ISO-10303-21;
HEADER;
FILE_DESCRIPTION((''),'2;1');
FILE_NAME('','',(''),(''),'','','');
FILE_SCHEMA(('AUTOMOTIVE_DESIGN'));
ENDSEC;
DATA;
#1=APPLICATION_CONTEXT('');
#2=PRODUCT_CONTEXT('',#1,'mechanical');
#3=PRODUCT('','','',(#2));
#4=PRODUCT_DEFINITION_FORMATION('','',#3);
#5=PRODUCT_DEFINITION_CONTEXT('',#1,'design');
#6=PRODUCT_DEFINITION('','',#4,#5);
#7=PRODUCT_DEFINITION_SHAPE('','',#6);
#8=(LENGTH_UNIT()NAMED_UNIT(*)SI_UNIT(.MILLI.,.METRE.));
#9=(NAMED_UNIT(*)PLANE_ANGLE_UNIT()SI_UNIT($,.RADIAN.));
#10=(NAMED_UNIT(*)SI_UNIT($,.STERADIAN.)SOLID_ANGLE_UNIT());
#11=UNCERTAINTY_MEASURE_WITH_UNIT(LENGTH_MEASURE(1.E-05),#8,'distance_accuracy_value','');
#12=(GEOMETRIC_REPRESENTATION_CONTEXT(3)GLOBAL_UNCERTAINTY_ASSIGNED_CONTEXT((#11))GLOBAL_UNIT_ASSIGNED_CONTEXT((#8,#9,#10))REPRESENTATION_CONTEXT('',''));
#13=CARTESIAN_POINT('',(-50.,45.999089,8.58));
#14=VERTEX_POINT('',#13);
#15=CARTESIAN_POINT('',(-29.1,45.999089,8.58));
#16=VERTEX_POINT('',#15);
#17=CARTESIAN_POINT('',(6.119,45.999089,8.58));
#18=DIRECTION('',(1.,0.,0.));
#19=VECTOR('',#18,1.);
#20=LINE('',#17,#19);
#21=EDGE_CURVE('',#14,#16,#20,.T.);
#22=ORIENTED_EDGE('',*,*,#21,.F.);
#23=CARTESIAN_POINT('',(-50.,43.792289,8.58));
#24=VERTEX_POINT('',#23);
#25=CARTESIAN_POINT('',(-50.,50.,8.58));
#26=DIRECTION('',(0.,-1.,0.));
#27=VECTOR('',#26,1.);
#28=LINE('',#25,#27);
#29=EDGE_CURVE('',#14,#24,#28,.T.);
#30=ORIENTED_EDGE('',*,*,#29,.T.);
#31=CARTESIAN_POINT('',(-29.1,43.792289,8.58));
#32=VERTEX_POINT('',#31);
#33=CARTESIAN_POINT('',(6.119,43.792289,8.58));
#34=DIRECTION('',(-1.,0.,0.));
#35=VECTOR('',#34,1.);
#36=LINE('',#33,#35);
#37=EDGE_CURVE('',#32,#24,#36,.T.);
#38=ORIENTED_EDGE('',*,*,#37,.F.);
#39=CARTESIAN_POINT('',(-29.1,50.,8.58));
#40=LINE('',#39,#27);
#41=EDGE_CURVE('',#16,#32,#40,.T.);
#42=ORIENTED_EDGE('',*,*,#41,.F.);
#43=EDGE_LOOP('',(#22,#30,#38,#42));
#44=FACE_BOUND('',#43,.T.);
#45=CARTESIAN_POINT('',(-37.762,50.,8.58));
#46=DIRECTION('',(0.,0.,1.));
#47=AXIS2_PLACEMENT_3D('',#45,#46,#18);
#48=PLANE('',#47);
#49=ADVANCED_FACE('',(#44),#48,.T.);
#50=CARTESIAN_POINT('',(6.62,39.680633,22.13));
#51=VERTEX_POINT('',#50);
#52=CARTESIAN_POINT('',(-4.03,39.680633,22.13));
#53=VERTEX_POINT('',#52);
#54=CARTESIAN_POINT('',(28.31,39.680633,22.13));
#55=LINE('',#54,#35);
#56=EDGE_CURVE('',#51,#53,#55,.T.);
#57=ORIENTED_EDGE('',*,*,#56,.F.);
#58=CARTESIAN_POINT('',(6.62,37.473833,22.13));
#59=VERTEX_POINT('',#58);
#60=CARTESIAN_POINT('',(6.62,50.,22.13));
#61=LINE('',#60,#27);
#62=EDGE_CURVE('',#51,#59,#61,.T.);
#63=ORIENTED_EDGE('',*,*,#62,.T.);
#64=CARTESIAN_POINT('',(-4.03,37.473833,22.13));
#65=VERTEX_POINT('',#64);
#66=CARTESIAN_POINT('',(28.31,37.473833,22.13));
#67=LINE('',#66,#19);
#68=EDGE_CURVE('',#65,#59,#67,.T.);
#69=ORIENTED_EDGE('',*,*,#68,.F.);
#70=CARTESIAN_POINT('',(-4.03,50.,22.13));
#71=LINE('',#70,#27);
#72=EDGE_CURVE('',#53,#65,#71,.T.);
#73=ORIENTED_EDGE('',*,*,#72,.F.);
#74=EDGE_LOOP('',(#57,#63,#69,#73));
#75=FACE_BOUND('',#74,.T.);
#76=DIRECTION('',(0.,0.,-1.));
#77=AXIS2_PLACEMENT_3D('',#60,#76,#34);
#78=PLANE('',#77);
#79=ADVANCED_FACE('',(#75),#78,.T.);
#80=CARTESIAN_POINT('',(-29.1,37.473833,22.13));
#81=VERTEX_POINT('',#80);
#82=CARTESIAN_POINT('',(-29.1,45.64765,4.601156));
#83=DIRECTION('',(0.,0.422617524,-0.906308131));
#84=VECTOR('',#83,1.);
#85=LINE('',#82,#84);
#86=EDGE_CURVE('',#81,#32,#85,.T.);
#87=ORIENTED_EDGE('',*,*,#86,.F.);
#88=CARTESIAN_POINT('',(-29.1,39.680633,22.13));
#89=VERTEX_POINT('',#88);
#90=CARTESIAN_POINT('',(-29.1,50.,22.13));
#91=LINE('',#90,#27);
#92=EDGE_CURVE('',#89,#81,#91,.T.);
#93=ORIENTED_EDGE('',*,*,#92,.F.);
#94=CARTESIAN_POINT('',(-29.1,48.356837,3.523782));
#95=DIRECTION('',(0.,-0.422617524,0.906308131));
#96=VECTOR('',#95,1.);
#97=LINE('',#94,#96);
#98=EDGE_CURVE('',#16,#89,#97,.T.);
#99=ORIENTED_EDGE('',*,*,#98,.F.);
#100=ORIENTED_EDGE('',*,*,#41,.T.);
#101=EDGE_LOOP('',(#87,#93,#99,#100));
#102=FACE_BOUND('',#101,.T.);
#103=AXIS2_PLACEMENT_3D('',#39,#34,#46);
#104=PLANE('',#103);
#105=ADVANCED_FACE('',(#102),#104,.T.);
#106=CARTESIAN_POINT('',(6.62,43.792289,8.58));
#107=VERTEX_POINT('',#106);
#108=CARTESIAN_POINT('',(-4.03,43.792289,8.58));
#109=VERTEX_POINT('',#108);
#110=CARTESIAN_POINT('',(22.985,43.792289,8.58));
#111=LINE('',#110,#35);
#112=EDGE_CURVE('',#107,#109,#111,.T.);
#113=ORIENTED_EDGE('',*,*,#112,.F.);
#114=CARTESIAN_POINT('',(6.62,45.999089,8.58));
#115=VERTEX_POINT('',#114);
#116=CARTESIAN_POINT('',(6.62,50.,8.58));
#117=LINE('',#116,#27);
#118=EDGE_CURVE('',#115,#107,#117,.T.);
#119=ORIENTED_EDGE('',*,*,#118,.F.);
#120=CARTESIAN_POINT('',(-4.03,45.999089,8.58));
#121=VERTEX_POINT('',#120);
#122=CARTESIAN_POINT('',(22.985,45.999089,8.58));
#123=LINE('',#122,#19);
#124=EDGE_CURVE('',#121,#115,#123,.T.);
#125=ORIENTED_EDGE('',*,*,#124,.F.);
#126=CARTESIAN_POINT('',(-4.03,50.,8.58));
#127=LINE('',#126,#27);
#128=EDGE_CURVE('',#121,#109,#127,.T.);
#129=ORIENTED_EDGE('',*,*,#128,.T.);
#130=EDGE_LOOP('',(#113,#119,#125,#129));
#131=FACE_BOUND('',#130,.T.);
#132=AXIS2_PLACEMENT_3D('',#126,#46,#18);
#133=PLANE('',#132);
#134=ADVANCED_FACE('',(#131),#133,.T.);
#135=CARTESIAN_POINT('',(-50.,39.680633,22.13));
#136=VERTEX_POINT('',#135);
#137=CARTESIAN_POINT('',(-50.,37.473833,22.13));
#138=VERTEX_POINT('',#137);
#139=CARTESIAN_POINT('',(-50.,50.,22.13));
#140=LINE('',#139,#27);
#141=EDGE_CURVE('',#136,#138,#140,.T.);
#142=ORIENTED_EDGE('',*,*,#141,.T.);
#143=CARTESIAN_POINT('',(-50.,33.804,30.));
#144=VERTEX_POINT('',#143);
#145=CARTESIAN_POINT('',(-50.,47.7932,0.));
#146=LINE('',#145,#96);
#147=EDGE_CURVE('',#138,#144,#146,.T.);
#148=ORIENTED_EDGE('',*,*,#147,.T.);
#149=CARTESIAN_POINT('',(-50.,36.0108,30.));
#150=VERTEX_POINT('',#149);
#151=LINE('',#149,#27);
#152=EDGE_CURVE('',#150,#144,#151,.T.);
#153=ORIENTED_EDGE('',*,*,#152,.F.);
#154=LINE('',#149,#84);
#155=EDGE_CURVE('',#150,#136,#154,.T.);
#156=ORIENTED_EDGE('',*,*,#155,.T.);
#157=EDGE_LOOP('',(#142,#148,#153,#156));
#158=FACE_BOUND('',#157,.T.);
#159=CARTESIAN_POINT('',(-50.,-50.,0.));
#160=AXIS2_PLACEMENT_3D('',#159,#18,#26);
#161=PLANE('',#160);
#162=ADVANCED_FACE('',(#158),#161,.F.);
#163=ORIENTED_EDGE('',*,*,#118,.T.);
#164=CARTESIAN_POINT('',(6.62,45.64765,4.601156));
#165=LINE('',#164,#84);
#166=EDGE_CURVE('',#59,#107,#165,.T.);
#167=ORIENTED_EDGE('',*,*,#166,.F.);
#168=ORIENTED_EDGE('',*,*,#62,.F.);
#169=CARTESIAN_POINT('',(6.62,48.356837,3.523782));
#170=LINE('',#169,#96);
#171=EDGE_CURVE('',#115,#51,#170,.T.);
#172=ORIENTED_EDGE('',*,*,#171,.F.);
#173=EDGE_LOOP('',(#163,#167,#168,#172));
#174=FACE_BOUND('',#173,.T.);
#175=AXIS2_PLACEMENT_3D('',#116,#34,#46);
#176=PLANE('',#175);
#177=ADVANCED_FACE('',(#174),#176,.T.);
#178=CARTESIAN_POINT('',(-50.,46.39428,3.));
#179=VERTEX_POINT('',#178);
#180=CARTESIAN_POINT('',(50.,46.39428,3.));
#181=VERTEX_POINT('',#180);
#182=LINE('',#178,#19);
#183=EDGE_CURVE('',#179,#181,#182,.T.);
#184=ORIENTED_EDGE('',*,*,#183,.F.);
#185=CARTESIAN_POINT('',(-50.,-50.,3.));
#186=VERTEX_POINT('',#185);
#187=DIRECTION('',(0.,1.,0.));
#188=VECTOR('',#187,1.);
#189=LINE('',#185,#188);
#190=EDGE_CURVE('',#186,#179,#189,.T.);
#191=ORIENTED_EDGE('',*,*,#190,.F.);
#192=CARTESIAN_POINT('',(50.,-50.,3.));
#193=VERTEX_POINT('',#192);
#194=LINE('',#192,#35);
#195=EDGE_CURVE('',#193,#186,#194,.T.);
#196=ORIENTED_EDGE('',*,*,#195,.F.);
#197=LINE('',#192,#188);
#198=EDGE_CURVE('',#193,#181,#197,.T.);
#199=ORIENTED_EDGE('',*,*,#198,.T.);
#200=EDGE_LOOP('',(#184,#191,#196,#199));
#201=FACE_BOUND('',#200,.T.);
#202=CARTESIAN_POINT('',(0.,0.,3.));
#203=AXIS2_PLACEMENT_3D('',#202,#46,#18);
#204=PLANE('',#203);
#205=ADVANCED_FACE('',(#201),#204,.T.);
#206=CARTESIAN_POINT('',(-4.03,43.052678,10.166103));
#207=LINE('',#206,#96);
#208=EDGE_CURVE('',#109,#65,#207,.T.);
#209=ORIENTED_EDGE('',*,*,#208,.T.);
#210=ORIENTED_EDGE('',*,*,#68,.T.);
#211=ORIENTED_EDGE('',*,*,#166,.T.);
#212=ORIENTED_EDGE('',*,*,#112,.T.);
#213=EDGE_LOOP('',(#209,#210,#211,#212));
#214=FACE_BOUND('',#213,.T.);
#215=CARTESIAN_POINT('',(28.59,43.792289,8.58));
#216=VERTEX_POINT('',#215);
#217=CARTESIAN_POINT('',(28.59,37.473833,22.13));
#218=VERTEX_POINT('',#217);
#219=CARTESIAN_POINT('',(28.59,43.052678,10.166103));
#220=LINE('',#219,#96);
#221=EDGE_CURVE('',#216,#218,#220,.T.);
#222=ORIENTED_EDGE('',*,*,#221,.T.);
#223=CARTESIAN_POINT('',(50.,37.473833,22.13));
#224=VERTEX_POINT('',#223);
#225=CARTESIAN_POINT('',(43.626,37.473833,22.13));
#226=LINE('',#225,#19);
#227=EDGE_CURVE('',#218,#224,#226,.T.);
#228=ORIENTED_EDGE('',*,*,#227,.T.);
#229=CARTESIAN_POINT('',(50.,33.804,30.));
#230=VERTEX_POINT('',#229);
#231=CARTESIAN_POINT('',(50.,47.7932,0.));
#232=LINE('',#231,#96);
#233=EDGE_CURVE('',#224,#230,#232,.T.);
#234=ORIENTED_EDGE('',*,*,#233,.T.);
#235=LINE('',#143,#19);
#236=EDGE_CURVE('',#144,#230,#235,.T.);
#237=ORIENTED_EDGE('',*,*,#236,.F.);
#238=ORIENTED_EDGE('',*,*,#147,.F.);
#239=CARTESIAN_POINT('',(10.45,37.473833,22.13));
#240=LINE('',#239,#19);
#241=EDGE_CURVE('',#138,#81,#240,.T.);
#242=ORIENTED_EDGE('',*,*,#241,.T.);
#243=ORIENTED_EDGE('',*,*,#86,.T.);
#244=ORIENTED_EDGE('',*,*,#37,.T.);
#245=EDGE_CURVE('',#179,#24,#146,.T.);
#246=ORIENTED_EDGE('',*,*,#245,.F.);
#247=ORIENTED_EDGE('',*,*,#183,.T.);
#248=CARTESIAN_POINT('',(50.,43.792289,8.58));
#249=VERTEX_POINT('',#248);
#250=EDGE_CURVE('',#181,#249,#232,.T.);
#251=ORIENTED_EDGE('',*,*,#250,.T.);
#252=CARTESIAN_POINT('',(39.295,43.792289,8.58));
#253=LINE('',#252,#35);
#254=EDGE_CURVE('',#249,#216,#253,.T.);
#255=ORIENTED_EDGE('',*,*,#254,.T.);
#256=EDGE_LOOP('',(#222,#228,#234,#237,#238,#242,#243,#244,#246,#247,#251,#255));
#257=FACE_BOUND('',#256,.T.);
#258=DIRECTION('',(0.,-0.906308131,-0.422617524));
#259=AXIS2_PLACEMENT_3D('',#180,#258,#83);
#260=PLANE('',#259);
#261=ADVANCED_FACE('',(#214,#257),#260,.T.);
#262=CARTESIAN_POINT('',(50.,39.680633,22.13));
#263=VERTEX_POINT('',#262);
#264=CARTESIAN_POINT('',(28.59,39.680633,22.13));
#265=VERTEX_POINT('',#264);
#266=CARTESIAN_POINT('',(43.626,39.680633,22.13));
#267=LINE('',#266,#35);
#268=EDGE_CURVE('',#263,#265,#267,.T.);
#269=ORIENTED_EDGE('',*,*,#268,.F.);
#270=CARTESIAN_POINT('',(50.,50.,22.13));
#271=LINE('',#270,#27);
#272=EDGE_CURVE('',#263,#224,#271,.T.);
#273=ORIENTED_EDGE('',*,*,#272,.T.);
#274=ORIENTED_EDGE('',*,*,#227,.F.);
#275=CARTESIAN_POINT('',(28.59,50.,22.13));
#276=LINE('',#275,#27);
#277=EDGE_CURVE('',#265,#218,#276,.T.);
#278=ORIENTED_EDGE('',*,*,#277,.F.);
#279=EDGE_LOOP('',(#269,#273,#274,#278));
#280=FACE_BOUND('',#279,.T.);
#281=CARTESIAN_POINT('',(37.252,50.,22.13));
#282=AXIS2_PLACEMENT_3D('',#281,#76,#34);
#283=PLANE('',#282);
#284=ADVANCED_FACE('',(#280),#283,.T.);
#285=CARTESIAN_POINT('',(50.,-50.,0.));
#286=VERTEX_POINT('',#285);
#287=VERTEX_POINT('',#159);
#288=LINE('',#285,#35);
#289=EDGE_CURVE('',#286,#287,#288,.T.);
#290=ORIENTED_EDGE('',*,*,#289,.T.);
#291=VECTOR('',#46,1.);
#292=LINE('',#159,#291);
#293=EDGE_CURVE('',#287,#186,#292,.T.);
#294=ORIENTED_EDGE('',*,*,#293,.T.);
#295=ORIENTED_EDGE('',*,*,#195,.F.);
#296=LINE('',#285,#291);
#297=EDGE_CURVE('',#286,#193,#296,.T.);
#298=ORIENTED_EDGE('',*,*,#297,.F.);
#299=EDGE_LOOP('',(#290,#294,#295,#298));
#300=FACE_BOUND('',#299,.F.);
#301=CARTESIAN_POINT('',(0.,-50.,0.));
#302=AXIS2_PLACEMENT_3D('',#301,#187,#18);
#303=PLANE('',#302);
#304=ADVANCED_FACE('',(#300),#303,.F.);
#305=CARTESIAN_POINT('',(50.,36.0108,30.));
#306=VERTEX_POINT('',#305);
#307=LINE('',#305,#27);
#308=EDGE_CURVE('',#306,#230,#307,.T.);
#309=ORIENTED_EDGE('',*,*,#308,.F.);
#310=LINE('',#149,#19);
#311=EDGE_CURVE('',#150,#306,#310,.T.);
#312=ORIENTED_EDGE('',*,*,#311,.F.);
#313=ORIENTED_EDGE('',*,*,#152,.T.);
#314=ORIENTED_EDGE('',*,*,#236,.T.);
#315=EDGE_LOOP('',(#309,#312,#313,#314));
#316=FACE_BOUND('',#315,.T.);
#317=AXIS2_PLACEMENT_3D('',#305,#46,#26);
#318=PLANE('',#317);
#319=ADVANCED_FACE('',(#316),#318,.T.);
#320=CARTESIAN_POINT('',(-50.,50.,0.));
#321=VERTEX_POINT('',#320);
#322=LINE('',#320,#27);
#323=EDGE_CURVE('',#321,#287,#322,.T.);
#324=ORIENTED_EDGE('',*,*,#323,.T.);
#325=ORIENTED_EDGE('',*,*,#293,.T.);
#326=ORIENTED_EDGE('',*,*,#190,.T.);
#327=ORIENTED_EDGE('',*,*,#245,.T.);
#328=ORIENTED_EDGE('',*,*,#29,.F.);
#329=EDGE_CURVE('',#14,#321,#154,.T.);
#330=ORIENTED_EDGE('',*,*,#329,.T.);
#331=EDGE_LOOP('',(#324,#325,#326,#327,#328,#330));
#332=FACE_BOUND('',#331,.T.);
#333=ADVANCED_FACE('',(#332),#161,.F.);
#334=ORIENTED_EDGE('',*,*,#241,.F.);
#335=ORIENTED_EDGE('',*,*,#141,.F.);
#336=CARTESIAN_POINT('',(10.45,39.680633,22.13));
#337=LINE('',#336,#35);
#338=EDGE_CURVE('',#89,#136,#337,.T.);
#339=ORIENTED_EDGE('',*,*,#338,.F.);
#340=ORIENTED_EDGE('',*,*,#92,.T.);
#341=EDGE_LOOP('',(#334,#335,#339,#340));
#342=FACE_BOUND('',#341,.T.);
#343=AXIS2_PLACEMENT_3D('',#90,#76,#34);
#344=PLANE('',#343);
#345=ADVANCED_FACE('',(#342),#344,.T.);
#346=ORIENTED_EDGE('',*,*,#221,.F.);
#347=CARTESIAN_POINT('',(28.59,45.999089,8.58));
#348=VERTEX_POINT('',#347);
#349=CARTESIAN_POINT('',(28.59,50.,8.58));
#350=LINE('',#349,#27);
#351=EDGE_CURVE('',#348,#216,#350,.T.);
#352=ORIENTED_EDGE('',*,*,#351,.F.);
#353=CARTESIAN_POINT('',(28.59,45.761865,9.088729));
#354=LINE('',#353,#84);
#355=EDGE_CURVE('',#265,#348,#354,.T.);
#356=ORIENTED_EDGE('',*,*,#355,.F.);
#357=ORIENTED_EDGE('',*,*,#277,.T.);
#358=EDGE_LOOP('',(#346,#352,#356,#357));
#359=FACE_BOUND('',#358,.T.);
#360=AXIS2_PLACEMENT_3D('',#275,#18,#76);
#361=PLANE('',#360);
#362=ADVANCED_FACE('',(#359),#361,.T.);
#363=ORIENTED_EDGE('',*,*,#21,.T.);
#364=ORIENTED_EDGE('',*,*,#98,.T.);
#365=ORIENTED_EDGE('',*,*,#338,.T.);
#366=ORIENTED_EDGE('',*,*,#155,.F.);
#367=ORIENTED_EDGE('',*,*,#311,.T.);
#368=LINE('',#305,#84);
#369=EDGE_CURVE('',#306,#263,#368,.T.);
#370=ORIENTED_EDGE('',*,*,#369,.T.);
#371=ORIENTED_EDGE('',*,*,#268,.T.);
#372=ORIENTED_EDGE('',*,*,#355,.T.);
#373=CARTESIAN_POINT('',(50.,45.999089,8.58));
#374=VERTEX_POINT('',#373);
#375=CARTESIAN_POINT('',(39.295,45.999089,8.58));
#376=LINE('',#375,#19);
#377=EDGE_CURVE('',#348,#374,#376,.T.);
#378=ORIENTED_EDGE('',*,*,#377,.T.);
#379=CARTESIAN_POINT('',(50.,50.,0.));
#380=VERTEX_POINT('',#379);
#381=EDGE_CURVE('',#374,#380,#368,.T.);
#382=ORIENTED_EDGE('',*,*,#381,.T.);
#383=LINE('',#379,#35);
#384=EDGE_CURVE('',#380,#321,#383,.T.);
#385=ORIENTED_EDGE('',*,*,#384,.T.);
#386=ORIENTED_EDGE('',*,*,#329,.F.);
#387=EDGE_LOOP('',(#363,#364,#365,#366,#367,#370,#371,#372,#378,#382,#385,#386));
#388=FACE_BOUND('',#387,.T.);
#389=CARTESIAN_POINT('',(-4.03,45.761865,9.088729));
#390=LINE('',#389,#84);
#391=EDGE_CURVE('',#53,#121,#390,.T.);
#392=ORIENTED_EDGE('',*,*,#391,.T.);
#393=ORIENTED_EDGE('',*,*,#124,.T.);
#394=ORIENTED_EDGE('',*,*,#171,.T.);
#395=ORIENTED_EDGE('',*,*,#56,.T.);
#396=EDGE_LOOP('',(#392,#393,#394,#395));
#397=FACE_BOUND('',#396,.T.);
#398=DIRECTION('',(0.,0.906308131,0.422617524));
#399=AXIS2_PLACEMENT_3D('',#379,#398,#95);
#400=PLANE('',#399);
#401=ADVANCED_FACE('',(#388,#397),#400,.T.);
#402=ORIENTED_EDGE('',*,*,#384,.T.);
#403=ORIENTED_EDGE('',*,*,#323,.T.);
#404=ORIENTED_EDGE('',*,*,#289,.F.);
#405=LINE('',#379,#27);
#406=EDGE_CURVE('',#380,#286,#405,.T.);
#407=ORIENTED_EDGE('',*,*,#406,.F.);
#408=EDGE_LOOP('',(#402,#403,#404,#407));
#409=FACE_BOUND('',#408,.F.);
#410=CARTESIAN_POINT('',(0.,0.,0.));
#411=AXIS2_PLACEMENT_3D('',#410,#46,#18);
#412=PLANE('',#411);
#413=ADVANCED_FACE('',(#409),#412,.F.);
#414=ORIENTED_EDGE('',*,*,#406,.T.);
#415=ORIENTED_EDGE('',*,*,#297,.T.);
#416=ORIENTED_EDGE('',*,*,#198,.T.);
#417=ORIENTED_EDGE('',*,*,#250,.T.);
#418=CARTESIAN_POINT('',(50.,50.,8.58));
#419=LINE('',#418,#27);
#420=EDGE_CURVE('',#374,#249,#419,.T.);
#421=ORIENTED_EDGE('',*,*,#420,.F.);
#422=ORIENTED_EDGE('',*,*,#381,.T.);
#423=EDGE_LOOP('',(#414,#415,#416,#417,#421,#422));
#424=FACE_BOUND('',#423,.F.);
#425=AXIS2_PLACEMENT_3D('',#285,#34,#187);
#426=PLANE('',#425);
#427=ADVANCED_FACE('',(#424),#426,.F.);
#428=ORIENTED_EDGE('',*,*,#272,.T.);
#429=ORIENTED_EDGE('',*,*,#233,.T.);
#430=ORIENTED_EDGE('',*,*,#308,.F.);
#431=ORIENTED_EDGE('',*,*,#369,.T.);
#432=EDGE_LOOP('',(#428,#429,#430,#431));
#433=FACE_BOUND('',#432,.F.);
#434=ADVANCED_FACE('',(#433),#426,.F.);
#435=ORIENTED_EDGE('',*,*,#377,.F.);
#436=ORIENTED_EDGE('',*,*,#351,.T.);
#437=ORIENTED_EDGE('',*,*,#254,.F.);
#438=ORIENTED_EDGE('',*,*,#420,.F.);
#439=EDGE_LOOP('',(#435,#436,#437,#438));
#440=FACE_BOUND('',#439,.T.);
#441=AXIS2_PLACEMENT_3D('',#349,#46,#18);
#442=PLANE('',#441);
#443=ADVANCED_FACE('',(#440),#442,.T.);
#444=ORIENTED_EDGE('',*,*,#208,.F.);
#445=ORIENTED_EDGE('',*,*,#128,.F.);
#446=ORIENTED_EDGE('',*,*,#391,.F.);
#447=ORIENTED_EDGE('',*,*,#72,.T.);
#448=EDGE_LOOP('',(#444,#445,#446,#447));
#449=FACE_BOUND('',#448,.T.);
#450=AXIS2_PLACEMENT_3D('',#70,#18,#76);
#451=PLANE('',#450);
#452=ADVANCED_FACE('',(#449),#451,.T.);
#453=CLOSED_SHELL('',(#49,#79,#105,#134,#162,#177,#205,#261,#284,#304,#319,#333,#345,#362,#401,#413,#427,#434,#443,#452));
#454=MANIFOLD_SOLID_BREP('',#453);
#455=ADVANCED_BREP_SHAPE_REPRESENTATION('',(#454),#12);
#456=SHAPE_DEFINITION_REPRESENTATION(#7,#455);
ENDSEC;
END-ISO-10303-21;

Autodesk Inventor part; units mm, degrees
ref_plane "YZ Plane" through (0, 0, 0) normal (1, 0, 0) x (0, 1, 0)
ref_plane "XZ Plane" through (0, 0, 0) normal (0, 1, 0) x (-1, 0, 0)
ref_plane "XY Plane" through (0, 0, 0) normal (0, 0, 1) x (1, 0, 0)
sketch "Náčrt1" plane through (0, 0, 0) normal (0, 0, 1) x (1, 0, 0)
  line L0 (0, -50) -> (50, -50)
  line L1 (50, -50) -> (50, 50)
  line L2 (50, 50) -> (0, 50)
  line L3 (0, 50) -> (0, -50)
  point P0 (0, 0)
  point P1 (50, 0)
  point P2 (0, 0)
  dimension "d0" = 50
  dimension "d1" = 100
extrude "Vysunutí1" add sketch "Náčrt1" along normal blind 3
sketch "Náčrt2" plane through (50, -50, 0) normal (1, 0, 0) x (0, 0, -1)
  line L0 (0, 0) -> (0, 100) projected
  line L1 (0, 100) -> (-30, 86.0108)
  line L2 (-30, 86.0108) -> (-30, 83.804)
  line L3 (-30, 83.804) -> (0, 97.7932)
  line L4 (-3, 0) -> (-3, 100) projected
  line L5 (0, 100) -> (-3, 100) projected
  point P0 (0, 50)
  point P1 (-3, 98.6011)
  dimension "d4" = 65
  dimension "d6" = 2
  dimension "d7" = 30
extrude "Vysunutí2" add sketch "Náčrt2" against normal up to surface (50 mm away) contours L3 L4 L1 L0 | L3 L2 L1 L4
extrude "Vysunutí3" cut sketch "Náčrt2" against normal through all contours L1 L4 L5
ref_plane "Pracovní rovina1" through (50, 50, 0) normal (0, -1, 0) x (1, 0, 0)
mirror "Zrcadlit1" about plane through (0, 0, 0) normal (1, 0, 0)
sketch "Náčrt3" plane through (50, 50, 0) normal (0, -1, 0) x (1, 0, 0)
  line L0 (-12.748, 22.13) -> (-21.41, 22.13)
  line L1 (-21.41, 22.13) -> (-21.41, 8.58)
  line L2 (-21.41, 8.58) -> (-12.748, 8.58)
  line L3 (-12.748, 8.58) -> (-12.748, 22.13)
  line L4 (-54.03, 8.58) -> (-43.38, 8.58)
  line L5 (-43.38, 8.58) -> (-43.38, 22.13)
  line L6 (-43.38, 22.13) -> (-54.03, 22.13)
  line L7 (-54.03, 22.13) -> (-54.03, 8.58)
  line L8 (0, 0) -> (0, 30) projected
  line L9 (0, 0) -> (-50, 0) projected
  line L10 (-79.1, 22.13) -> (-87.762, 22.13)
  line L11 (-87.762, 22.13) -> (-87.762, 8.58)
  line L12 (-87.762, 8.58) -> (-79.1, 8.58)
  line L13 (-79.1, 8.58) -> (-79.1, 22.13)
  line L14 (-100, 0) -> (-100, 30) projected
  line L15 (-87.762, 22.13) -> (-100, 22.13)
  line L16 (-87.762, 8.58) -> (-100, 8.58)
  line L17 (-12.748, 22.13) -> (0, 22.13)
  line L18 (-12.748, 8.58) -> (0, 8.58)
  dimension "d13" = 22.13
  dimension "d14" = 21.97
  dimension "d15" = 8.662
  dimension "d18" = 25.07
  dimension "d19" = 12.238
  dimension "d20" = 10.65
  dimension "d21" = 8.662
  dimension "d22" = 8.58
extrude "Vysunutí4" cut sketch "Náčrt3" along normal through all
properties part number "Test rampy"
